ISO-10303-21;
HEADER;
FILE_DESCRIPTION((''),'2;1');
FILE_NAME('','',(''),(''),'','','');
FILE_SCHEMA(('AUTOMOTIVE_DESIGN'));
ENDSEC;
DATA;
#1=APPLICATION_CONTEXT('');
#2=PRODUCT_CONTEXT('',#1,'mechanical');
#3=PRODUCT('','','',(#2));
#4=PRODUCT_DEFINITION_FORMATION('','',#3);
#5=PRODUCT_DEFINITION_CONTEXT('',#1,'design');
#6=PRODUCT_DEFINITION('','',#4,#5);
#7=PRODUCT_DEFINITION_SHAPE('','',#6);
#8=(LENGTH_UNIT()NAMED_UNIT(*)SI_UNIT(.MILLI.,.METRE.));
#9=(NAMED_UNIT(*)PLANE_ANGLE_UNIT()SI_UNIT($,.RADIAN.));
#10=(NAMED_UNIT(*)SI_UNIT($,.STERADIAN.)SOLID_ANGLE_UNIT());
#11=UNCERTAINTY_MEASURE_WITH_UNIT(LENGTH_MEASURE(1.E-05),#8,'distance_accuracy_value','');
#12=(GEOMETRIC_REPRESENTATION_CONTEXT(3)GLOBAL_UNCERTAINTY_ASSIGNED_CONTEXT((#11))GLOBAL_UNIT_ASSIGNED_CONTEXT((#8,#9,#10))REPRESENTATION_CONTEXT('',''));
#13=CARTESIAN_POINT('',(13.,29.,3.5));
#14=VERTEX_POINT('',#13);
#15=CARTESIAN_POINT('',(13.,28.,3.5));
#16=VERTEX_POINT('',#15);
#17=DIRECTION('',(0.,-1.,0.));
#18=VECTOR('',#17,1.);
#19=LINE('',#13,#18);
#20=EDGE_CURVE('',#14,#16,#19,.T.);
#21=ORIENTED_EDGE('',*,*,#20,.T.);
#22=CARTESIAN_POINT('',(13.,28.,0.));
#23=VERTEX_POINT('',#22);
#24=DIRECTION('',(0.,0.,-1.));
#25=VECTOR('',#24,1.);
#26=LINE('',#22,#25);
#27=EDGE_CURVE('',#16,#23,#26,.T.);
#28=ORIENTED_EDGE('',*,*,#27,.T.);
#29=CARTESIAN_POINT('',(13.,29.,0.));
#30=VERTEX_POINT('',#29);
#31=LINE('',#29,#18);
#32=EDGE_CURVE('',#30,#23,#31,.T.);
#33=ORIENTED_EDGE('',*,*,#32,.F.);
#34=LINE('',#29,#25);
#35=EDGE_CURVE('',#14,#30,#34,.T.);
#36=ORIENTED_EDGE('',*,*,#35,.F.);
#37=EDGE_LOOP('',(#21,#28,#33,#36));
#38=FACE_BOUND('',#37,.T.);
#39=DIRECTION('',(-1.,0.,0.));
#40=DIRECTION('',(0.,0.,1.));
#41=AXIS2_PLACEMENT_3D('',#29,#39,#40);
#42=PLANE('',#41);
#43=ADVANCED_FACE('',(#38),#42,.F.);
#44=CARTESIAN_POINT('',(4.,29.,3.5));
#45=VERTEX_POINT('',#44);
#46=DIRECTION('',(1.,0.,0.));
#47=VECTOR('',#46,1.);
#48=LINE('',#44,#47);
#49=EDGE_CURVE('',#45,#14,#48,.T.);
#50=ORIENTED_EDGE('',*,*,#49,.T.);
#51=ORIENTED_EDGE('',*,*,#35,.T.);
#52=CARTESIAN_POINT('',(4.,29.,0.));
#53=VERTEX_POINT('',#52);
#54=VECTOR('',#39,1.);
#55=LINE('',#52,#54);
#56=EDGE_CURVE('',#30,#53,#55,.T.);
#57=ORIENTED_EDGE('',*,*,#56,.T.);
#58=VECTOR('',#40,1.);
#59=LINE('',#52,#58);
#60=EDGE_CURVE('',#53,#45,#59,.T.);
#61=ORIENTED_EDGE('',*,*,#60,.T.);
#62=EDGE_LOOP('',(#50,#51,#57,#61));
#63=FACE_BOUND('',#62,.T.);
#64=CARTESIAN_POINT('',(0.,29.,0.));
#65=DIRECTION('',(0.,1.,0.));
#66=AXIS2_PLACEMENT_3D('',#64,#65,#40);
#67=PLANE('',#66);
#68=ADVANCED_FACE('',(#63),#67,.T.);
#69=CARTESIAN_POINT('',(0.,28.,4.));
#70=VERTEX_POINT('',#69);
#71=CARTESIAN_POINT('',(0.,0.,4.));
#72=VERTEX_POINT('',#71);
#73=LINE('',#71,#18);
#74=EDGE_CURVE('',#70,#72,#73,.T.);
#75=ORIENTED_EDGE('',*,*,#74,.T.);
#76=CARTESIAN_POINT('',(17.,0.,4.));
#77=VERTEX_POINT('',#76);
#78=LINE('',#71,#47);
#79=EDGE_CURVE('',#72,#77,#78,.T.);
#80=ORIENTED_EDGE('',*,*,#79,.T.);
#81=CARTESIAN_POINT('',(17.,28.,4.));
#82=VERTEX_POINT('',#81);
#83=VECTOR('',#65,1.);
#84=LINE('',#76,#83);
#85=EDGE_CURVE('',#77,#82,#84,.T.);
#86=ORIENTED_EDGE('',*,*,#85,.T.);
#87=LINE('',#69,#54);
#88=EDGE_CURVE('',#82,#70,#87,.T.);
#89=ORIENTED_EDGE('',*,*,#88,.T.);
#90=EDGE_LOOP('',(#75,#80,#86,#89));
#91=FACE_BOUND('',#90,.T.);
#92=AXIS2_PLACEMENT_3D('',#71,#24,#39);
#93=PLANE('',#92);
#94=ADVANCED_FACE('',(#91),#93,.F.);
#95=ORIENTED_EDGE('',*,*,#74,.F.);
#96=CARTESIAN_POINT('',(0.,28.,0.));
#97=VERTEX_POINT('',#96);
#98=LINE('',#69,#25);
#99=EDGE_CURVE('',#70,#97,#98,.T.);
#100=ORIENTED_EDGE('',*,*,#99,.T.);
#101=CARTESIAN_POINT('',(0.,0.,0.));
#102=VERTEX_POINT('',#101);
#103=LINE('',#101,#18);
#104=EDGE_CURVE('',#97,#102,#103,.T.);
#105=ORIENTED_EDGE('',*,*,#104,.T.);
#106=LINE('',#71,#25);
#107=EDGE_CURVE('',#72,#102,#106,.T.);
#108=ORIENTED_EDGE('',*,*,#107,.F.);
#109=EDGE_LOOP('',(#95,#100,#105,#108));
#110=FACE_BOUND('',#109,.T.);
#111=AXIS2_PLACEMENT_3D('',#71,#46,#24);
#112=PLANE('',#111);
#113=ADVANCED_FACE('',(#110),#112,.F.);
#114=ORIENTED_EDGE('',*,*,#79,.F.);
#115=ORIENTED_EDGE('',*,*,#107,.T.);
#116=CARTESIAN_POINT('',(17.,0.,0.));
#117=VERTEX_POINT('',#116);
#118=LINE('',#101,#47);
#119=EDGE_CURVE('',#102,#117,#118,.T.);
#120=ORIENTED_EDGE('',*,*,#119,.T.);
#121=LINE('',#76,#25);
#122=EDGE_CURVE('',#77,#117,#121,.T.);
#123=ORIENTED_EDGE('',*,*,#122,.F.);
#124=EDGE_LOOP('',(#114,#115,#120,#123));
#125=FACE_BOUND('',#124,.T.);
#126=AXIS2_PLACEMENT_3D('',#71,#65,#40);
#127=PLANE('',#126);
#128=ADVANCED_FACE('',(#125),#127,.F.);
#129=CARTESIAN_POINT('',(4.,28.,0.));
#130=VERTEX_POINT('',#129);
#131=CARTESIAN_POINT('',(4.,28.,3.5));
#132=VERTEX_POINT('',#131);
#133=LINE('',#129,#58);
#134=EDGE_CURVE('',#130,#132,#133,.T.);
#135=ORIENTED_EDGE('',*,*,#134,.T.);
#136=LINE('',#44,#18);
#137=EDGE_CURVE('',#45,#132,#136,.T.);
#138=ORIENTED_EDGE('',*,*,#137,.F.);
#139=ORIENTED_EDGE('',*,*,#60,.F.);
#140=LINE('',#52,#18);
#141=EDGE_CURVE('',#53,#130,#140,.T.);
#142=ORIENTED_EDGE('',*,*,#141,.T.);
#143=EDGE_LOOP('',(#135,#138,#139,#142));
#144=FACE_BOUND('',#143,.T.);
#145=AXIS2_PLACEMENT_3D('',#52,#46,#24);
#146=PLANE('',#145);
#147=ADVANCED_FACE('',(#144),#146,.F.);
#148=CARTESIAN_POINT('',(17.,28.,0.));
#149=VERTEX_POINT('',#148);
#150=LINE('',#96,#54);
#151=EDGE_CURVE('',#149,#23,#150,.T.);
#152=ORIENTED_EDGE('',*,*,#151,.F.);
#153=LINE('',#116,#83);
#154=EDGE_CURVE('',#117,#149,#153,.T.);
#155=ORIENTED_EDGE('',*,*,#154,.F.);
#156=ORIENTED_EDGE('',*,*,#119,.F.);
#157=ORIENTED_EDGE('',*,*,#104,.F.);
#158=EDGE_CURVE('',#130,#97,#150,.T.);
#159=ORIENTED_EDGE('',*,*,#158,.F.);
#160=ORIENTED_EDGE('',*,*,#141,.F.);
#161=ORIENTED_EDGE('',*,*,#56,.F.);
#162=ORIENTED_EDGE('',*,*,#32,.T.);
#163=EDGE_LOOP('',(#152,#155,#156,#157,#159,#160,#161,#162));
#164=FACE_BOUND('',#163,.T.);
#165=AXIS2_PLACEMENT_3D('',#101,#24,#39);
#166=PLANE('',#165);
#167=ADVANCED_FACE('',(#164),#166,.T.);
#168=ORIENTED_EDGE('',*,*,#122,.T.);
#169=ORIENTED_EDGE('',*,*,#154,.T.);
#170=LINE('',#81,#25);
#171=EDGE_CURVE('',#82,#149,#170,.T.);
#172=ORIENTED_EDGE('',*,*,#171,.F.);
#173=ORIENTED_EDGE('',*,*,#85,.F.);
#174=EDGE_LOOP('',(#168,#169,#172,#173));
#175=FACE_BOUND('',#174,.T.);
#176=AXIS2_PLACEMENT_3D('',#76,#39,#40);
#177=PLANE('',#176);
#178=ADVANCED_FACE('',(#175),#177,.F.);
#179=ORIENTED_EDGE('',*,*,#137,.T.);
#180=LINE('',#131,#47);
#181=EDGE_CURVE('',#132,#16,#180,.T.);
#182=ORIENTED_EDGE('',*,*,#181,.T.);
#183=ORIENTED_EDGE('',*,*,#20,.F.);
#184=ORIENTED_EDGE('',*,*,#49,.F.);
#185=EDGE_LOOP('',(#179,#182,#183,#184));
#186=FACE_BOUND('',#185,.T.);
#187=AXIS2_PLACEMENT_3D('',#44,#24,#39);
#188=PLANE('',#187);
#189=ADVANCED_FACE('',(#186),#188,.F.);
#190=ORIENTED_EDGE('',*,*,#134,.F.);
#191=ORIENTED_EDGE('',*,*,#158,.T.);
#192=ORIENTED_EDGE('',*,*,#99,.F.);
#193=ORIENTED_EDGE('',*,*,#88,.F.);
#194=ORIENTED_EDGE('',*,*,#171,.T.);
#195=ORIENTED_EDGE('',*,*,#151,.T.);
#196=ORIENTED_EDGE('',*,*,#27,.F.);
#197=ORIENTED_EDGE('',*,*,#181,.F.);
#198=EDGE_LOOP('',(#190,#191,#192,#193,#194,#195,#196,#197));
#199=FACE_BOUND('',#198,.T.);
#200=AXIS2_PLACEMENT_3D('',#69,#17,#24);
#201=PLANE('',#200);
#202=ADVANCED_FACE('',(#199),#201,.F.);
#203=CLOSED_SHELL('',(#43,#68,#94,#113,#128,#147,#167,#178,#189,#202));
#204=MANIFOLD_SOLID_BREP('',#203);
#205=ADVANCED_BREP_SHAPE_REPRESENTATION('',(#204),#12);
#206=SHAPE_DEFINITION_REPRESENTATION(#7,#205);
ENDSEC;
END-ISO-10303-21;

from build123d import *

# Parameters (mm, degrees)
SKETCH1_W           = 17
SKETCH1_H           = 28
BOSS_EXTRUDE1_DEPTH = 4
SKETCH2_W           = 9
SKETCH2_H           = 3.5
BOSS_EXTRUDE2_DEPTH = 1


with BuildPart() as part:
    # Sketch1 → Boss-Extrude1 (new body)
    with BuildSketch(Plane.XY):
        with Locations((8.5, 14)):
            Rectangle(SKETCH1_W, SKETCH1_H)
    extrude(amount=BOSS_EXTRUDE1_DEPTH)

    # Sketch2 → Boss-Extrude2 (add)
    with BuildSketch(Plane(origin=(0, 28, 0), x_dir=(1, 0, 0), z_dir=(0, 1, 0))):
        with Locations((8.5, -1.75)):
            Rectangle(SKETCH2_W, SKETCH2_H)
    extrude(amount=BOSS_EXTRUDE2_DEPTH)


solid = part.part
